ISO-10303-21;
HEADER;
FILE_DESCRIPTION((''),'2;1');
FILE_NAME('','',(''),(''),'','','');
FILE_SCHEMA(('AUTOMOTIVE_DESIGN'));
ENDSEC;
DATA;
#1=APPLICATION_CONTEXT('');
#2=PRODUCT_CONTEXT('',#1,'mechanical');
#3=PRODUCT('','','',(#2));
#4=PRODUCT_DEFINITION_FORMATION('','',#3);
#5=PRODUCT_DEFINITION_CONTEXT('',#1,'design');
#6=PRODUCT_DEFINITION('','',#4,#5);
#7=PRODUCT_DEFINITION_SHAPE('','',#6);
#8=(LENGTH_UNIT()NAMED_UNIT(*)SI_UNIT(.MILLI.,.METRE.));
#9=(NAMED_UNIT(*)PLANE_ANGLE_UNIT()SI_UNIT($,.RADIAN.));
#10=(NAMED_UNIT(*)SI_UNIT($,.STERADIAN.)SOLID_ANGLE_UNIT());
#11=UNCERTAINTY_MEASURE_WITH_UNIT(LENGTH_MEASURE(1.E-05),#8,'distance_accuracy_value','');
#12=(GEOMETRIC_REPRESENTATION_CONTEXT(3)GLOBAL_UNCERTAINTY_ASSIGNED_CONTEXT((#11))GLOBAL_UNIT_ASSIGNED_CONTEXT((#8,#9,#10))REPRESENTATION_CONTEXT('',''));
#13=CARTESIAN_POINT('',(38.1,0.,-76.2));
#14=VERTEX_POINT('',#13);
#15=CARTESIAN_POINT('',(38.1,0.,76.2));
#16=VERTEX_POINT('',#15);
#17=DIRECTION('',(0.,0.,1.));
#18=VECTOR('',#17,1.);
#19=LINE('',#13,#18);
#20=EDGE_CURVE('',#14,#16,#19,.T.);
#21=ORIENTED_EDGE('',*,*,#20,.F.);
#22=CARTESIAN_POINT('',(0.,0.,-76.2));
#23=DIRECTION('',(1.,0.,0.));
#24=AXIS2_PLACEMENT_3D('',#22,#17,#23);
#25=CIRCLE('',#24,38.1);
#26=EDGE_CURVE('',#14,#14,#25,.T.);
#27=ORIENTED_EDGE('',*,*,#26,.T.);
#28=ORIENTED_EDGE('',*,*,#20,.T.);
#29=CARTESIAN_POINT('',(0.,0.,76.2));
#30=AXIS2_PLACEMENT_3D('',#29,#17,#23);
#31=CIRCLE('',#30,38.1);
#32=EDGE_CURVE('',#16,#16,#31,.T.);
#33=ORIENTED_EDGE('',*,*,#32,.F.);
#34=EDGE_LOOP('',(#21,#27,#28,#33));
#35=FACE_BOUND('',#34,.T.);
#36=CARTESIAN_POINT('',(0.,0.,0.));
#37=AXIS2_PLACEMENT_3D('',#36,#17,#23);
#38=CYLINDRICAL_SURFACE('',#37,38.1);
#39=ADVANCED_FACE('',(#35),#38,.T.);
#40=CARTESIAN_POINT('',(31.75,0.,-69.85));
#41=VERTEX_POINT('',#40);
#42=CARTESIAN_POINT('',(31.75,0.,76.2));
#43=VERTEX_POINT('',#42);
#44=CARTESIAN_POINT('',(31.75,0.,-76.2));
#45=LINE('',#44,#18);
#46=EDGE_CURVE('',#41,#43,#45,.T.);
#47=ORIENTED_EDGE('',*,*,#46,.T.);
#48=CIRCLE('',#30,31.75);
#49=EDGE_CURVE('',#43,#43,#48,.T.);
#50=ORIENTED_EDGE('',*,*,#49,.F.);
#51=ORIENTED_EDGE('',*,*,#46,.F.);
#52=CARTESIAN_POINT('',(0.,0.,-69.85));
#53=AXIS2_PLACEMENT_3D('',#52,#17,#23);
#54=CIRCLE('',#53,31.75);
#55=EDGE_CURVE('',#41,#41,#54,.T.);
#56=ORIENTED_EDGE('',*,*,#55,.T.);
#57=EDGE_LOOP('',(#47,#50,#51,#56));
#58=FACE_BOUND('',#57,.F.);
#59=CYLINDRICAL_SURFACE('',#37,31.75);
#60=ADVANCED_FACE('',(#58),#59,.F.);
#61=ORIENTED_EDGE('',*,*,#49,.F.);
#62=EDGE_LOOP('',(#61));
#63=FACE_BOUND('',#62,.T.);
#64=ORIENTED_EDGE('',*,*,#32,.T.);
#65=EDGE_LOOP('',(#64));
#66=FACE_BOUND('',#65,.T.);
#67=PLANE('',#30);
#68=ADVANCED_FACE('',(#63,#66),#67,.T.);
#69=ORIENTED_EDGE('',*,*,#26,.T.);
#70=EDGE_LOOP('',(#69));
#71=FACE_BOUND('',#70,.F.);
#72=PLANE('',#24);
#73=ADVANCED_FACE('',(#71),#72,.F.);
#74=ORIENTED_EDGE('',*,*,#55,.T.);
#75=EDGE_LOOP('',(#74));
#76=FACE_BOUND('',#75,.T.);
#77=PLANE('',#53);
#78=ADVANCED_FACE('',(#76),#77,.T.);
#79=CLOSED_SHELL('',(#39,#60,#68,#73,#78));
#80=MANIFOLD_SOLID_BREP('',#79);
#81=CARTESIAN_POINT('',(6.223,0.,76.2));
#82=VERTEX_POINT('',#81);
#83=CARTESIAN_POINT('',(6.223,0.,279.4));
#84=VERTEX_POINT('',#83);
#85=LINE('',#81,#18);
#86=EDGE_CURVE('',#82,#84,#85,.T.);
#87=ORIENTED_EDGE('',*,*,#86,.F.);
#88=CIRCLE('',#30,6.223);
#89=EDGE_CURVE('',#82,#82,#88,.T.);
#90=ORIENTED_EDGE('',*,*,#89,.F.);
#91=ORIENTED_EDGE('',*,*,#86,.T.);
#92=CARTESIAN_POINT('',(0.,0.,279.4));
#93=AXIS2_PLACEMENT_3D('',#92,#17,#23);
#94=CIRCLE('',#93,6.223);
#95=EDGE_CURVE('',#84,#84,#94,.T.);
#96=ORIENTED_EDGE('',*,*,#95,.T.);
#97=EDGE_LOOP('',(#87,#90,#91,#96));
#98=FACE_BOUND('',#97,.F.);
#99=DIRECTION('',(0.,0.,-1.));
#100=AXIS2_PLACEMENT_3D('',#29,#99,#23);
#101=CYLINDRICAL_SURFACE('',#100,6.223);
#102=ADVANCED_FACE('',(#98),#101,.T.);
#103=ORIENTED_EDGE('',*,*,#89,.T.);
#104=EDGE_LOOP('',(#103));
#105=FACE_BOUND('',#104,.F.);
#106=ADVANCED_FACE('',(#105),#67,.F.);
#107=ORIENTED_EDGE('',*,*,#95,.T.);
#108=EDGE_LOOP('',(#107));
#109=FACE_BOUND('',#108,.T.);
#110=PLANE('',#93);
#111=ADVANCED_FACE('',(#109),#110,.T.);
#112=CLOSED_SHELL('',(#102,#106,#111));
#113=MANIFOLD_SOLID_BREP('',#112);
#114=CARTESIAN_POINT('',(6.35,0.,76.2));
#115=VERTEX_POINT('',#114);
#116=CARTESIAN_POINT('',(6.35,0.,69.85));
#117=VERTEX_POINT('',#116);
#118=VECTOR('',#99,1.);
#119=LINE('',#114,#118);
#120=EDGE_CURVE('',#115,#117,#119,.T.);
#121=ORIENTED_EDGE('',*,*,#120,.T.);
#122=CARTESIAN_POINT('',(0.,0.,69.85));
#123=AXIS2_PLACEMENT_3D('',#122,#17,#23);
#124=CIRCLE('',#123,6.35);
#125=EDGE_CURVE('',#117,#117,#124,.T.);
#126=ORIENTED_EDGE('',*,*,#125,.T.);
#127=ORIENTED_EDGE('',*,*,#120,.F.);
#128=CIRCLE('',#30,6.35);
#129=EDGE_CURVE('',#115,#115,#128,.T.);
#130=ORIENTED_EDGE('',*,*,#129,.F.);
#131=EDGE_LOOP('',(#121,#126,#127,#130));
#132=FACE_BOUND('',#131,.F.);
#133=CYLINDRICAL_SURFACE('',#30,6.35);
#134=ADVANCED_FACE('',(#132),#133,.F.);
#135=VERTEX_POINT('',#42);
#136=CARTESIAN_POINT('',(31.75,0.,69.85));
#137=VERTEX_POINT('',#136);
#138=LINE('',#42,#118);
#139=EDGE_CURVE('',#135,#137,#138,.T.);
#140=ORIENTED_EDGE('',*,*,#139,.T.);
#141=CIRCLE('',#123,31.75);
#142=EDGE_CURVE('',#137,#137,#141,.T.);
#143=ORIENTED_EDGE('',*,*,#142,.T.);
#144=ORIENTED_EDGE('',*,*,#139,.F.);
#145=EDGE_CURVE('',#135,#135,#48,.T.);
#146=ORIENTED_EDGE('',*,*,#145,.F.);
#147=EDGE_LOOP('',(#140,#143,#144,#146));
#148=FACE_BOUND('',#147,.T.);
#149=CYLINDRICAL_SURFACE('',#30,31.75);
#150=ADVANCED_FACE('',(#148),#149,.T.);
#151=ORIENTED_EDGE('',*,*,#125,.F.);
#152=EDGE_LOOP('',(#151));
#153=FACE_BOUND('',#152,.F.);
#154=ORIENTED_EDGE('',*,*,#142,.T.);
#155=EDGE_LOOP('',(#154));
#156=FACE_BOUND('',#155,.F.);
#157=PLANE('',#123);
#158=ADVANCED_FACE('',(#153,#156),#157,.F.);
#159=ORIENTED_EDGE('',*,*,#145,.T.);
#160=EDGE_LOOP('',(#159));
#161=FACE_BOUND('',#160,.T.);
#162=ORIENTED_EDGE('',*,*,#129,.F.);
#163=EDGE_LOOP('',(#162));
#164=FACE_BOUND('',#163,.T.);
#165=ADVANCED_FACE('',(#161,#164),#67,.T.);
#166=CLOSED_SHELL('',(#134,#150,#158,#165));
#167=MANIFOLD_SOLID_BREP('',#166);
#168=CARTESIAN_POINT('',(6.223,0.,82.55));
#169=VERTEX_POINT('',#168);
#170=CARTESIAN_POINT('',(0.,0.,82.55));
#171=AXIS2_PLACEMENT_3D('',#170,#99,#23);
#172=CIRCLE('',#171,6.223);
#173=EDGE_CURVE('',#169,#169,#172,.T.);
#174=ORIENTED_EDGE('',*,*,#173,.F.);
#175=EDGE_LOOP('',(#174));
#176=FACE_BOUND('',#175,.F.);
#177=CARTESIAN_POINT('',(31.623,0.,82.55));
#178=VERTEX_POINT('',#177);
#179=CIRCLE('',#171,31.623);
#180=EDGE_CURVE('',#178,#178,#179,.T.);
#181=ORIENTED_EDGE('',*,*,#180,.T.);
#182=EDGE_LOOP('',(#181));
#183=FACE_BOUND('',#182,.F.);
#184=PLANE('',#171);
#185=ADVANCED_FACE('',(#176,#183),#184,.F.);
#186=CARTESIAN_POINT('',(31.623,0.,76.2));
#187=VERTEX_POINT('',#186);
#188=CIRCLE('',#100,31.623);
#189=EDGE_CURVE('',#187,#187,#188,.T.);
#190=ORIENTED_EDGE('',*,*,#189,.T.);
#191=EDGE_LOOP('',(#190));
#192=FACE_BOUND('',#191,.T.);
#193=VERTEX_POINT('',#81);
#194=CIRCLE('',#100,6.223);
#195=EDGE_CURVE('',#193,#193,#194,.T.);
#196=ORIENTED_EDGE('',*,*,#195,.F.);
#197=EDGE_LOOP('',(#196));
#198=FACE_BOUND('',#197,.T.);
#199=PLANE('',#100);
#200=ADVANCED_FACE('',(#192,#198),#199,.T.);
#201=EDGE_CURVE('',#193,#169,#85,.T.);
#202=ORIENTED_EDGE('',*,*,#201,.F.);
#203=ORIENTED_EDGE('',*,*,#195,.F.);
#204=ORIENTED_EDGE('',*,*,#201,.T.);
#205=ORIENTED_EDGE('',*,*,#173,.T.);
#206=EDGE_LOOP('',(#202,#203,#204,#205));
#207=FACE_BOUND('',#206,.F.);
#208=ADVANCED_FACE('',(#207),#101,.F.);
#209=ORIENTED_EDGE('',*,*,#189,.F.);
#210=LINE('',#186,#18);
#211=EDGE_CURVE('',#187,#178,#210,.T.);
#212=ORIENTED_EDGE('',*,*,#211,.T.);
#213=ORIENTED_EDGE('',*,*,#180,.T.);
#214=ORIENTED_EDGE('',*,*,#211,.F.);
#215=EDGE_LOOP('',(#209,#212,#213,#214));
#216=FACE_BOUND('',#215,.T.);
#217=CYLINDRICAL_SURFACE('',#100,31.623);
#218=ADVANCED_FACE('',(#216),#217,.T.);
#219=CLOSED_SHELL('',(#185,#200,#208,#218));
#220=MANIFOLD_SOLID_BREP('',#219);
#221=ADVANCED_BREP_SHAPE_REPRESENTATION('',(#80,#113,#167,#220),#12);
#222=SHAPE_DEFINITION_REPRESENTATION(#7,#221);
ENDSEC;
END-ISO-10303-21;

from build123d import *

# Parameters (mm, degrees)
F0_R      = 38.1
F1_DEPTH  = 76.2
F2_T      = -6.35
F3_R      = 31.75
F4_DEPTH  = 6.35
F5_R      = 6.35
F6_DEPTH  = 152.401
F7_R      = 6.223
F8_DEPTH  = 203.2
F9_R      = 31.623
F9_R_2    = 6.223
F10_DEPTH = 6.35


with BuildPart() as f1:
    # F0 (on Top) → F1 (new body, symmetric)
    with BuildSketch(Plane.XY):
        Circle(F0_R)
    extrude(amount=F1_DEPTH, both=True)

    # F2
    f2_openings = [f1.faces().sort_by_distance(p)[0] for p in [
        (0, 0, 76.2),
    ]]
    offset(amount=F2_T, openings=f2_openings)


with BuildPart() as f4:
    # F3 (on face) → F4 (new body)
    with BuildSketch(Plane.XY.offset(76.2)):
        Circle(F3_R)
    extrude(amount=-F4_DEPTH)

    # F5 (on face) → F6 (cut, through all)
    with BuildSketch(Plane.XY.offset(76.2)):
        Circle(F5_R)
    extrude(amount=-F6_DEPTH, mode=Mode.SUBTRACT)


with BuildPart() as f8:
    # F7 (on face) → F8 (new body)
    with BuildSketch(Plane.XY.offset(76.2)):
        Circle(F7_R)
    extrude(amount=F8_DEPTH)


with BuildPart() as f10:
    # F9 (on face) → F10 (new body)
    with BuildSketch(Plane(origin=(0, 0, 76.2), x_dir=(1, 0, 0), z_dir=(0, 0, -1))):
        Circle(F9_R)
        Circle(F9_R_2, mode=Mode.SUBTRACT)
    extrude(amount=-F10_DEPTH)


solid = Compound([f1.part, f4.part, f8.part, f10.part])
